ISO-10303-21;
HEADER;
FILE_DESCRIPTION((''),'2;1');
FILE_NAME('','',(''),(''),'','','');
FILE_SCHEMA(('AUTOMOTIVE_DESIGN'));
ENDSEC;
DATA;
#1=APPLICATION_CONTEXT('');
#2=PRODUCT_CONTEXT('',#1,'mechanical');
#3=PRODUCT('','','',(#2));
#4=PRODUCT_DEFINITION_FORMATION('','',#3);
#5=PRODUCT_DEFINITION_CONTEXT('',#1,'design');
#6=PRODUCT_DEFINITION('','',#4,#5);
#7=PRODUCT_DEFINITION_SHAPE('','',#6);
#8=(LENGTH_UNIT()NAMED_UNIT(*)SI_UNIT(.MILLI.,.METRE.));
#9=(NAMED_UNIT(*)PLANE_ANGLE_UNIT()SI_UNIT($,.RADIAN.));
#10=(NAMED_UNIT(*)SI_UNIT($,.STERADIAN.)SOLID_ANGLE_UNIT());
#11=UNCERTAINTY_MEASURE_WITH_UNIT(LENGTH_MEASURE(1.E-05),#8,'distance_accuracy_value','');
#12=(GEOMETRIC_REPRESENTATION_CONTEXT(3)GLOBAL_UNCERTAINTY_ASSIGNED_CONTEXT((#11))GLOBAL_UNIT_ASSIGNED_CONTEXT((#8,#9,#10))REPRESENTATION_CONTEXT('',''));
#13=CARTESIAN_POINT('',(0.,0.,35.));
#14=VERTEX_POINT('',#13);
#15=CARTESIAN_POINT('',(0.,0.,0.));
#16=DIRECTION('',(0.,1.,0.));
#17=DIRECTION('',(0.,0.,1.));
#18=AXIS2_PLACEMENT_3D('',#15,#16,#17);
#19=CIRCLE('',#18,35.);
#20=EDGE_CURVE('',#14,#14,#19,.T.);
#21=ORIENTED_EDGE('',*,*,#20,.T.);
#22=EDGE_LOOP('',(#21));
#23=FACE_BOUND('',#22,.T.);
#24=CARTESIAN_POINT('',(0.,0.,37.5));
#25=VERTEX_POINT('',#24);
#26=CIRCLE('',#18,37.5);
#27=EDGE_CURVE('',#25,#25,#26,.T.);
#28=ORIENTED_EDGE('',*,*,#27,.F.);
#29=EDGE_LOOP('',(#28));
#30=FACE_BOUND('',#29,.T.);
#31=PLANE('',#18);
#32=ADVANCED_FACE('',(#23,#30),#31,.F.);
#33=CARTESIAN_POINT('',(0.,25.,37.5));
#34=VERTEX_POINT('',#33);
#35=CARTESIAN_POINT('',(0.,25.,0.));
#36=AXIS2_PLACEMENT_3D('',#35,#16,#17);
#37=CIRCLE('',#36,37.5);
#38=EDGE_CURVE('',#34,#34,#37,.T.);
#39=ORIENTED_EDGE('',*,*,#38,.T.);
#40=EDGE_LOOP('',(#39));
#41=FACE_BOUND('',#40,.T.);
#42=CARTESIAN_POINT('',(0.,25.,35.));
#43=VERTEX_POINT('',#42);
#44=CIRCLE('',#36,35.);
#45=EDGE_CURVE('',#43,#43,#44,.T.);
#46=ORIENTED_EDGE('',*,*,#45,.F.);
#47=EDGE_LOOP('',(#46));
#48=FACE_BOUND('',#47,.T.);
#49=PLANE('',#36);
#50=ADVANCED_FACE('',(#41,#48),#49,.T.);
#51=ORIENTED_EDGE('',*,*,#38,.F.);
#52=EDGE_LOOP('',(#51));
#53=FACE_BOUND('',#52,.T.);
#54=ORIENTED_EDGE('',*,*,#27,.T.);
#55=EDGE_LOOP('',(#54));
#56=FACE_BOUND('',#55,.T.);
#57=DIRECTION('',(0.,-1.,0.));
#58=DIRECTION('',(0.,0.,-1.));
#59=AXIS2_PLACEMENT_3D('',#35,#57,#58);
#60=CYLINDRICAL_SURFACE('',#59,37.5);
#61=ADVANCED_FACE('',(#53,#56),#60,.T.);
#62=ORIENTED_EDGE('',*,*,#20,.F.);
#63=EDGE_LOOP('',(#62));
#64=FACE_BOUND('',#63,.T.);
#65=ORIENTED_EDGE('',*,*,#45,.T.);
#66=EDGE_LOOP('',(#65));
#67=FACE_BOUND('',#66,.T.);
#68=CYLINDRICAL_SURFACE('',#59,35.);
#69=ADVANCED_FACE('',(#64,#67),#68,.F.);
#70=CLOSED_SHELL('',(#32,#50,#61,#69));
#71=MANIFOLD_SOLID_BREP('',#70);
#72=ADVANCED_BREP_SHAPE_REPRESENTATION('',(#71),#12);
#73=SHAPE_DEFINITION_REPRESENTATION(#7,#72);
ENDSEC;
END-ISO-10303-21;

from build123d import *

# Parameters (mm, degrees)
SKETCH1_R           = 37.5
SKETCH1_R_2         = 35
BOSS_EXTRUDE1_DEPTH = 25


with BuildPart() as part:
    # Sketch1 → Boss-Extrude1 (new body)
    with BuildSketch(Plane(origin=(0, 0, 0), x_dir=(1, 0, 0), z_dir=(0, 1, 0))):
        with Locations(Location((0, 0, 0), (0, 0, 270))):
            Circle(SKETCH1_R)
        with Locations(Location((0, 0, 0), (0, 0, 270))):
            Circle(SKETCH1_R_2, mode=Mode.SUBTRACT)
    extrude(amount=BOSS_EXTRUDE1_DEPTH)


solid = part.part
